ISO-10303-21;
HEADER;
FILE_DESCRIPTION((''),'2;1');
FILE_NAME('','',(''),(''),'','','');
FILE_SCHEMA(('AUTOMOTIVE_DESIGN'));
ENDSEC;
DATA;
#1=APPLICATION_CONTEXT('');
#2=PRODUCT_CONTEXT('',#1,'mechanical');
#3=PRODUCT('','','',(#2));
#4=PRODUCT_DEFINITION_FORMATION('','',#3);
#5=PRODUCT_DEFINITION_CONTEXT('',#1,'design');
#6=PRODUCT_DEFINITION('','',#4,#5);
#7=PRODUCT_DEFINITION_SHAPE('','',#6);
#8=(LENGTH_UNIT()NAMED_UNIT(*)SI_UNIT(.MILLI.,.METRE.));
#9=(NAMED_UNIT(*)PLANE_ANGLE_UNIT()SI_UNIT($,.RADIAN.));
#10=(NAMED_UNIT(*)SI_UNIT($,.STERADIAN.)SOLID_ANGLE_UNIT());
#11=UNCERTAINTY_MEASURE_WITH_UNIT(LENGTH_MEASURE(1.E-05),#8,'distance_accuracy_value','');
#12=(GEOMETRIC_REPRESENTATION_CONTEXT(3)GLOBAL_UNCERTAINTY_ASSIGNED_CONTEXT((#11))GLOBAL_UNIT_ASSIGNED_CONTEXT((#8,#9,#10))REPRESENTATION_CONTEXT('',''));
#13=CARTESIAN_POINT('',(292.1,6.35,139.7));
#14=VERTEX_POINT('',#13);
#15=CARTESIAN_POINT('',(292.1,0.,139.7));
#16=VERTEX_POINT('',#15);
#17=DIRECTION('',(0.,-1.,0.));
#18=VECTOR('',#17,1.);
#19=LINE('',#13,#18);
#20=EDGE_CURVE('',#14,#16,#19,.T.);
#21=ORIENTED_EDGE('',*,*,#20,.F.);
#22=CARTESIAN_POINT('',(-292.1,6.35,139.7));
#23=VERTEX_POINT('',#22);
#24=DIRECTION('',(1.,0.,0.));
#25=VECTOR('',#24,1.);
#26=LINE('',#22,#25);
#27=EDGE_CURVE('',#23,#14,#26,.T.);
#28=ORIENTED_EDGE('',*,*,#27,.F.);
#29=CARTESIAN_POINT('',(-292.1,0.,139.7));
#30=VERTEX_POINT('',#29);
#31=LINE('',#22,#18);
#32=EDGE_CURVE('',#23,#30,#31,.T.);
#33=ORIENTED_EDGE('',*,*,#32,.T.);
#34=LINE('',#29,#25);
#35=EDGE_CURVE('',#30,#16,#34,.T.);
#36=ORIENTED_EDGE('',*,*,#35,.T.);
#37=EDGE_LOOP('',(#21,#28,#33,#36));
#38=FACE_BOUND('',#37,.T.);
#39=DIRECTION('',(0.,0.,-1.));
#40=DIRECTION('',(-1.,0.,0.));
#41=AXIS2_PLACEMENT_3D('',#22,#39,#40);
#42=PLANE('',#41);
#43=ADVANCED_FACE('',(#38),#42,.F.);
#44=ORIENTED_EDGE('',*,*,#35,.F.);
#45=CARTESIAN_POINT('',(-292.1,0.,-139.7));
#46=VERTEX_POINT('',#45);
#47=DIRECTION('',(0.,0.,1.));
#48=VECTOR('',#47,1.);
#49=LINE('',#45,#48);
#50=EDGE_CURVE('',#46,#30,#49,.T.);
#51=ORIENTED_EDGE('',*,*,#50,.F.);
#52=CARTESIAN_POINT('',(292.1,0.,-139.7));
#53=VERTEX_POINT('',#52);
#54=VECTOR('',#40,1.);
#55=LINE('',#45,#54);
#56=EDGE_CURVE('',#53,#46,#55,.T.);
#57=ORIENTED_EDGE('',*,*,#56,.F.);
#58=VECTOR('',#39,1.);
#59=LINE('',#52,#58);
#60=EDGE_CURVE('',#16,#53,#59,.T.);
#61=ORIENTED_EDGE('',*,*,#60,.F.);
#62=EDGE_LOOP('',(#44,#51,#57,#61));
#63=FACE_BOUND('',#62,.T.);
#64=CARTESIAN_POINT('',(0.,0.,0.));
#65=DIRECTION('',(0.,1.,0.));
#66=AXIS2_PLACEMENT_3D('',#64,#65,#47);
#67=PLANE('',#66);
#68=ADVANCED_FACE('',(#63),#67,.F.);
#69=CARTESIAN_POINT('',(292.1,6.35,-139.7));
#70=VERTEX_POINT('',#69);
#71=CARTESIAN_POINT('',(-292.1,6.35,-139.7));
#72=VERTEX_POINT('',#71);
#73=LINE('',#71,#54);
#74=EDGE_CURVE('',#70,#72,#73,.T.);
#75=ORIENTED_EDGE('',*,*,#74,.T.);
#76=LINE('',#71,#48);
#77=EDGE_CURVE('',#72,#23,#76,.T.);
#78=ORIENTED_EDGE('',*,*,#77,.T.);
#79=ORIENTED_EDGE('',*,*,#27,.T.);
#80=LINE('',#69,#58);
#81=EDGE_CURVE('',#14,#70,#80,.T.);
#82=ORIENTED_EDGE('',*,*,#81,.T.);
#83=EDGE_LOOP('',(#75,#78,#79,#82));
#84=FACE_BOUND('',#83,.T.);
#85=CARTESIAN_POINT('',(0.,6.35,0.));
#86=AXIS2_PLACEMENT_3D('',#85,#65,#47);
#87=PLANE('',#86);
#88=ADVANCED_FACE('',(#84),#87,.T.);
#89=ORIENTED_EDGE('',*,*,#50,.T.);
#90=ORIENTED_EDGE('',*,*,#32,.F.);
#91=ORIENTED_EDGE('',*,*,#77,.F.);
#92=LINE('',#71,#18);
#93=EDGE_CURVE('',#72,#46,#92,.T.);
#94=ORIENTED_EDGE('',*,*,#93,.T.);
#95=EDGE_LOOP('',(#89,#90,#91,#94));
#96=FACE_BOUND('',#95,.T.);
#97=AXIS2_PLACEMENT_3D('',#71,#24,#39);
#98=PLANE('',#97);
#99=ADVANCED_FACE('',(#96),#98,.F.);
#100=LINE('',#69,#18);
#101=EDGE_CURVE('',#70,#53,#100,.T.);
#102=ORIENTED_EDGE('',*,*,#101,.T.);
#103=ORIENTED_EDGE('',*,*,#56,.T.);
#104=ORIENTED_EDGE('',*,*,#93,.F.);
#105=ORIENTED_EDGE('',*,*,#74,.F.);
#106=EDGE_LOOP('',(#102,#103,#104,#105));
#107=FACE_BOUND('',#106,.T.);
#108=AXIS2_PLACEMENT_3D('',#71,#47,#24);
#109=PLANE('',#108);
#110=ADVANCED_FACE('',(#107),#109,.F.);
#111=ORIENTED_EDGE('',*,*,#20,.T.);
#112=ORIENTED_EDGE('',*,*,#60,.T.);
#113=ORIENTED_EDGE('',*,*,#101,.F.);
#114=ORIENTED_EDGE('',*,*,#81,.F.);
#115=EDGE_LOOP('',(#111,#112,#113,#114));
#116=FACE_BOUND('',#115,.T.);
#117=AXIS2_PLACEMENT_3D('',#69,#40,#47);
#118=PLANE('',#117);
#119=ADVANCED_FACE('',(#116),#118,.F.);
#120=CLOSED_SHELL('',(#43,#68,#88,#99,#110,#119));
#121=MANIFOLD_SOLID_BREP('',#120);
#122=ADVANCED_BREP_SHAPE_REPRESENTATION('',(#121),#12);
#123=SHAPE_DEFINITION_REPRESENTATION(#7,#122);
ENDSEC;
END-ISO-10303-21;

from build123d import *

# Parameters (mm, degrees)
SKETCH1_W       = 584.2
SKETCH1_H       = 279.4
BASEPLATE_DEPTH = 6.35


with BuildPart() as part:
    # Sketch1 → Baseplate (new body)
    with BuildSketch(Plane(origin=(0, 0, 0), x_dir=(1, 0, 0), z_dir=(0, 1, 0))):
        Rectangle(SKETCH1_W, SKETCH1_H)
    extrude(amount=BASEPLATE_DEPTH)


solid = part.part
